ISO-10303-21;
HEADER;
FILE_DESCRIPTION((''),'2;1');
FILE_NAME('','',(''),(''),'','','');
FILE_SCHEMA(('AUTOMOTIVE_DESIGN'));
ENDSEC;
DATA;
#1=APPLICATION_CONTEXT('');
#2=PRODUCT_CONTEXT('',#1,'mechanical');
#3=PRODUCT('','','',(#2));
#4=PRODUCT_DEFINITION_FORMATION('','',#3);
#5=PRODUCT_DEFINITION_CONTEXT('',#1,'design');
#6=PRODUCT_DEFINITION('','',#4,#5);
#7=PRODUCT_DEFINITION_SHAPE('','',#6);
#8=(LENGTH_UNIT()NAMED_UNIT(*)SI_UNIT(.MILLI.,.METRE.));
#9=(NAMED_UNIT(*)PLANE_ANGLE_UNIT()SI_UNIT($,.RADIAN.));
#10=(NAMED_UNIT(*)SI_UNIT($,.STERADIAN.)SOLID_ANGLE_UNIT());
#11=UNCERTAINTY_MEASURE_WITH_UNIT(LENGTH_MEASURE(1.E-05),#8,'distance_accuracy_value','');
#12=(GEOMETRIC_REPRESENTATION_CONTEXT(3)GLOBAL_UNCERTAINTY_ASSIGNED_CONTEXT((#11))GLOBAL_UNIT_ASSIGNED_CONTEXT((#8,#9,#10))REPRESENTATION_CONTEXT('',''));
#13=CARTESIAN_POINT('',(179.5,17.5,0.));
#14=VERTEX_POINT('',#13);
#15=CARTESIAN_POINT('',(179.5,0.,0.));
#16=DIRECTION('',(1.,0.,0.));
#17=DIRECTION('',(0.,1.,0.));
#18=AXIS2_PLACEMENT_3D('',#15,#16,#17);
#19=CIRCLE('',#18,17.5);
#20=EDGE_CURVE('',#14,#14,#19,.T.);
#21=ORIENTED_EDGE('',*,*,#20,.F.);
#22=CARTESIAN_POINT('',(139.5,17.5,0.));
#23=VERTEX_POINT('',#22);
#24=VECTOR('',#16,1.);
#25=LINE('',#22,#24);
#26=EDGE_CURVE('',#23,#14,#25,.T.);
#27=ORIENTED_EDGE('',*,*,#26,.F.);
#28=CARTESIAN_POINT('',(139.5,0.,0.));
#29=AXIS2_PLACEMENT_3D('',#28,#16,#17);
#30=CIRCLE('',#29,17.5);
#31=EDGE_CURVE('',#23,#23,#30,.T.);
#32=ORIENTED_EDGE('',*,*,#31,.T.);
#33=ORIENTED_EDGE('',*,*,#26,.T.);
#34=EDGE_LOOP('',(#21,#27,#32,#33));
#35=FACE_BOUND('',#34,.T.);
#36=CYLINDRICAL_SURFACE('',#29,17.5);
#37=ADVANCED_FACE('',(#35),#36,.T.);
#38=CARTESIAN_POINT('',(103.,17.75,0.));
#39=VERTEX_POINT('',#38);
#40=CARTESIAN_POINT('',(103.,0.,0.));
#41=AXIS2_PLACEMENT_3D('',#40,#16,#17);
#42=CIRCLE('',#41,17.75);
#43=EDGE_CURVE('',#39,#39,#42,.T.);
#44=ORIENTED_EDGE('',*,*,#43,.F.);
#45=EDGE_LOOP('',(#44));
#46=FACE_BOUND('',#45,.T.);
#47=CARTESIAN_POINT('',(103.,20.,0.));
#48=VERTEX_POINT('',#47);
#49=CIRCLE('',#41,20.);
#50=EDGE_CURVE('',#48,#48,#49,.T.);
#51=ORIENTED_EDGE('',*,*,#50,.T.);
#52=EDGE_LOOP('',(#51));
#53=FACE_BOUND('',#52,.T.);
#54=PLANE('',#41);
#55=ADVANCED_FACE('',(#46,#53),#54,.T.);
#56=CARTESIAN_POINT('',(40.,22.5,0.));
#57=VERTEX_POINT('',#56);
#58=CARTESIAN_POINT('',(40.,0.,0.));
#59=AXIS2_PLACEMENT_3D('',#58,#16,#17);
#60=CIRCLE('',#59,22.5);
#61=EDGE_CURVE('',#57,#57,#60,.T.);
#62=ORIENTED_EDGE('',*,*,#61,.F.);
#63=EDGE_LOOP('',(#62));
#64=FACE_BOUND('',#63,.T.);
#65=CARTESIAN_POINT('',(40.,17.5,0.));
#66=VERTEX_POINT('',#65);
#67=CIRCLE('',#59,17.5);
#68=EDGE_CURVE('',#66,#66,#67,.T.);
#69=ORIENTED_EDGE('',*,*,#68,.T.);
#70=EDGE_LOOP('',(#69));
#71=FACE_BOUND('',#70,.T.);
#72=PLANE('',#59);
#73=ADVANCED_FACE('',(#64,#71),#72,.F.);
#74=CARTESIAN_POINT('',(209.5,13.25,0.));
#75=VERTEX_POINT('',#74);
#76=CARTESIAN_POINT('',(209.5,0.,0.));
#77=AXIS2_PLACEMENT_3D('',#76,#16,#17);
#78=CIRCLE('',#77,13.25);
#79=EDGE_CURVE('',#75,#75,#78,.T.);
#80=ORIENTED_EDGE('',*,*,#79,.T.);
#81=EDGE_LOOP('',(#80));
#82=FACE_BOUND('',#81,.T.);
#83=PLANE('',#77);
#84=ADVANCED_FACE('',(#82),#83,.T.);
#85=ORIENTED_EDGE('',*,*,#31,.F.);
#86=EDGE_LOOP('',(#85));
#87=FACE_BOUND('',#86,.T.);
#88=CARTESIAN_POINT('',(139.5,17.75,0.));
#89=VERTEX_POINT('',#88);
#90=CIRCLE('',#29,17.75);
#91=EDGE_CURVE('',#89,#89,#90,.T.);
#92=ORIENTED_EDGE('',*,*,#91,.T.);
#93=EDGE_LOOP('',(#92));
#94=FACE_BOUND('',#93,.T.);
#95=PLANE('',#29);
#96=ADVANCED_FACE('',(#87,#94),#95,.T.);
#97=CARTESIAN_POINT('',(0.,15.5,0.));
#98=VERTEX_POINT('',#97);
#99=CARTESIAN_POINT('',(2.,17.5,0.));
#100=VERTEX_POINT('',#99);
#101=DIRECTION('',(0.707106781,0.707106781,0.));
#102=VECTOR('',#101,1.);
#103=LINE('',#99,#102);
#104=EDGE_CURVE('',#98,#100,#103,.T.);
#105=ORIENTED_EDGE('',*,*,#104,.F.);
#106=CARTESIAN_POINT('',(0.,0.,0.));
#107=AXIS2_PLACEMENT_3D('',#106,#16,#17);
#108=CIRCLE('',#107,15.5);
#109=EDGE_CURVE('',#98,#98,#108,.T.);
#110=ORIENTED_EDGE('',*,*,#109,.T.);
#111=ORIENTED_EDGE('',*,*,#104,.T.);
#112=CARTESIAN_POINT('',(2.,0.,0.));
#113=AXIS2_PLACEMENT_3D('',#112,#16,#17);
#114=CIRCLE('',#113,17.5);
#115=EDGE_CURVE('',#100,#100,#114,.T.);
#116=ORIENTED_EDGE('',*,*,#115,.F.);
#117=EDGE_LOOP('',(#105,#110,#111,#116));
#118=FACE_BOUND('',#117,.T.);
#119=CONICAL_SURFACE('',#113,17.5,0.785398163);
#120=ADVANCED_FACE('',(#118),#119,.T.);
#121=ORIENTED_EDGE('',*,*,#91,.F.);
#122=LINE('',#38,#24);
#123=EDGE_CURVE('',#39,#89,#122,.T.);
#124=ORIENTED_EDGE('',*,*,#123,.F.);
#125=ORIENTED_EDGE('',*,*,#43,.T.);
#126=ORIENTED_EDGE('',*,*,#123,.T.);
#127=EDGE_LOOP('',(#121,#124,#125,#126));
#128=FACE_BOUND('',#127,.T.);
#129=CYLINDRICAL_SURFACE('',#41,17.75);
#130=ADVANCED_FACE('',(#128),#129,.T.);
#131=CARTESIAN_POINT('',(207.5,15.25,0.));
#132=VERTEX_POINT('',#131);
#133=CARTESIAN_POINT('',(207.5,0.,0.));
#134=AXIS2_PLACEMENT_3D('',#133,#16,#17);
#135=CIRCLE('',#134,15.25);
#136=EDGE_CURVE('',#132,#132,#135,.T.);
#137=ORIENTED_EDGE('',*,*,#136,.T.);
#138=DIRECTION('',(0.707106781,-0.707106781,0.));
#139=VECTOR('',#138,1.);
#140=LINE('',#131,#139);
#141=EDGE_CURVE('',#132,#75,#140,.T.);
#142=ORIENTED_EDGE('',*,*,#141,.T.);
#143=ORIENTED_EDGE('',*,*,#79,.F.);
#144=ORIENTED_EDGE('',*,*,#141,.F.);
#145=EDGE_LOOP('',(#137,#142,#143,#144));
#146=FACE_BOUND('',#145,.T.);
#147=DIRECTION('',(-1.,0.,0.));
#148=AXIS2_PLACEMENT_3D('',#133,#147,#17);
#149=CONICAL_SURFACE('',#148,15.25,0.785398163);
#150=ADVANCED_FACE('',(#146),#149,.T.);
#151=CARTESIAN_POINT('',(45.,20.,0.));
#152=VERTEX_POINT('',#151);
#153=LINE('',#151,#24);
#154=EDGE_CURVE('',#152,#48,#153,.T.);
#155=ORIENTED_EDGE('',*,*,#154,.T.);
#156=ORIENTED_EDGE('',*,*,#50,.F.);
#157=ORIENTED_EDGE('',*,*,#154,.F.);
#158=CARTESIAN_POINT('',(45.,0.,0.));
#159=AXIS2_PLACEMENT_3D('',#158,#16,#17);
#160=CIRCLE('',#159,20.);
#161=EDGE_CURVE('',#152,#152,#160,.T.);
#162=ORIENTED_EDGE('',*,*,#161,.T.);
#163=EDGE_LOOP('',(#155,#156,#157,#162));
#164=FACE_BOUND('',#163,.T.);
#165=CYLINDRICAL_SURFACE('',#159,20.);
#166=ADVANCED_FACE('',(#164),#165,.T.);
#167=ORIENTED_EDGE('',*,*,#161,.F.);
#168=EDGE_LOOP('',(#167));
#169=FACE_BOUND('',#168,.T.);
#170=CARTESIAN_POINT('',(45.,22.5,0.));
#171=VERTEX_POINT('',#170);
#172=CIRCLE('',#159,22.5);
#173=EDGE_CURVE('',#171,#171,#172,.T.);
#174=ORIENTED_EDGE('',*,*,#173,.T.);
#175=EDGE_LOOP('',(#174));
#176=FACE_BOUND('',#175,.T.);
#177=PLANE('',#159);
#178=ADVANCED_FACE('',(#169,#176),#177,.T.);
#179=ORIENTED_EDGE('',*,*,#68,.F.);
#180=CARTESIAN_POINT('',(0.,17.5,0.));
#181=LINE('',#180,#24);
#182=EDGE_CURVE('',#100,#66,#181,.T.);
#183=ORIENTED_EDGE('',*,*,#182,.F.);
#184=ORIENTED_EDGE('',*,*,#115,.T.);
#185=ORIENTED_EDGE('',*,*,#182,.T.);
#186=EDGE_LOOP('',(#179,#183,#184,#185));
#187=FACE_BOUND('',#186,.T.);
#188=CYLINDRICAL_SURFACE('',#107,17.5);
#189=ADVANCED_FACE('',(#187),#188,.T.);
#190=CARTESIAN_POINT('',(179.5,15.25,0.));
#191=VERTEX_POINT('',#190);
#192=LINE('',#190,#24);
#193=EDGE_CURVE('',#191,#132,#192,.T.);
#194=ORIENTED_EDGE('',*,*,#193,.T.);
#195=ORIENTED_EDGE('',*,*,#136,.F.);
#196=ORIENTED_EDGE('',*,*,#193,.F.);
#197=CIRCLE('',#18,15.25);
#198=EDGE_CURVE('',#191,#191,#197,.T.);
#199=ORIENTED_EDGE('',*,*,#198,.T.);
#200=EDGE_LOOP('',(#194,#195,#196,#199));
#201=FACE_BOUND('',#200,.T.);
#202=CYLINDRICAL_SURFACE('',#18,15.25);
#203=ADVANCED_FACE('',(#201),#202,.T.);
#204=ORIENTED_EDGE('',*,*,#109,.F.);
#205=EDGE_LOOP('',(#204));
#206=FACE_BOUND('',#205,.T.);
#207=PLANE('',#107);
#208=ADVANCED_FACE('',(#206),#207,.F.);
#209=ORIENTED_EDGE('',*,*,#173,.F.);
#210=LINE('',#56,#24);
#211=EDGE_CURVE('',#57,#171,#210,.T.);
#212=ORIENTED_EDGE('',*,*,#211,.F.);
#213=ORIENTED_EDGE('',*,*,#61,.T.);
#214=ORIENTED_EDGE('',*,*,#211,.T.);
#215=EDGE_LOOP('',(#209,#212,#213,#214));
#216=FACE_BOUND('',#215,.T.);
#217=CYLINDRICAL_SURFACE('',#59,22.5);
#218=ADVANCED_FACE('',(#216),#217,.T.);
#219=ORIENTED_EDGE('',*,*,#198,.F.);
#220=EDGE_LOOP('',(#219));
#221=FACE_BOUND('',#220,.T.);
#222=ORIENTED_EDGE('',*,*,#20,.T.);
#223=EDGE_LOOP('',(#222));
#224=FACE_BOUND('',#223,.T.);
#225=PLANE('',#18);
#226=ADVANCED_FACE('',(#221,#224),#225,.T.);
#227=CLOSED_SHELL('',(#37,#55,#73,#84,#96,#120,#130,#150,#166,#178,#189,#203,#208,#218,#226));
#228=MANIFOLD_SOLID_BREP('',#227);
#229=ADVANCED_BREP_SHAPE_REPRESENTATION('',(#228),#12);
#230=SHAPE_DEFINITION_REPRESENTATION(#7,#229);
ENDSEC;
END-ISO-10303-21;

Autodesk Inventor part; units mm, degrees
ref_plane "Start Plane" through (0, 0, 0) normal (1, 0, 0) x (0, 1, 0)
ref_plane "XZ Plane" through (0, 0, 0) normal (0, 1, 0) x (-1, 0, 0)
ref_plane "XY Plane" through (0, 0, 0) normal (0, 0, 1) x (1, 0, 0)
sketch "Main Sketch" plane through (0, 0, 0) normal (0, 0, 1) x (1, 0, 0)
  line L0 (0, 0) -> (209.5, 0)
  line L1 (0, 0) -> (0, 17.5)
  line L2 (0, 17.5) -> (40, 17.5)
  line L3 (40, 17.5) -> (40, 22.5)
  line L4 (45, 22.5) -> (45, 20)
  line L5 (40, 22.5) -> (45, 22.5)
  line L6 (103, 20) -> (103, 17.75)
  line L7 (45, 20) -> (103, 20)
  line L8 (139.5, 17.75) -> (139.5, 17.5)
  line L9 (103, 17.75) -> (139.5, 17.75)
  line L10 (179.5, 17.5) -> (179.5, 15.25)
  line L11 (139.5, 17.5) -> (179.5, 17.5)
  line L12 (209.5, 15.25) -> (209.5, 0)
  line L13 (179.5, 15.25) -> (209.5, 15.25)
  dimension "d3" = 35
  dimension "d4" = 45
  dimension "d5" = 40
  dimension "d6" = 35.5
  dimension "d7" = 35
  dimension "d8" = 30.5
revolve "Revolution1" add sketch "Main Sketch" angle 360 about axis through (0, 0, 0) along (1, 0, 0)
chamfer "Chamfer1" distance 2 angle 45 1 edges at (0, -17.5, 0) measured on face at (26.6667, 17.4433, -1.4082)
chamfer "Chamfer2" distance 2 angle 45 1 edges at (209.5, -15.25, 0) measured on face at (199.5, 15.2005, -1.2271)
equation "\"Length\" = 209.5"
properties part number "Shaft" material "Steel"
